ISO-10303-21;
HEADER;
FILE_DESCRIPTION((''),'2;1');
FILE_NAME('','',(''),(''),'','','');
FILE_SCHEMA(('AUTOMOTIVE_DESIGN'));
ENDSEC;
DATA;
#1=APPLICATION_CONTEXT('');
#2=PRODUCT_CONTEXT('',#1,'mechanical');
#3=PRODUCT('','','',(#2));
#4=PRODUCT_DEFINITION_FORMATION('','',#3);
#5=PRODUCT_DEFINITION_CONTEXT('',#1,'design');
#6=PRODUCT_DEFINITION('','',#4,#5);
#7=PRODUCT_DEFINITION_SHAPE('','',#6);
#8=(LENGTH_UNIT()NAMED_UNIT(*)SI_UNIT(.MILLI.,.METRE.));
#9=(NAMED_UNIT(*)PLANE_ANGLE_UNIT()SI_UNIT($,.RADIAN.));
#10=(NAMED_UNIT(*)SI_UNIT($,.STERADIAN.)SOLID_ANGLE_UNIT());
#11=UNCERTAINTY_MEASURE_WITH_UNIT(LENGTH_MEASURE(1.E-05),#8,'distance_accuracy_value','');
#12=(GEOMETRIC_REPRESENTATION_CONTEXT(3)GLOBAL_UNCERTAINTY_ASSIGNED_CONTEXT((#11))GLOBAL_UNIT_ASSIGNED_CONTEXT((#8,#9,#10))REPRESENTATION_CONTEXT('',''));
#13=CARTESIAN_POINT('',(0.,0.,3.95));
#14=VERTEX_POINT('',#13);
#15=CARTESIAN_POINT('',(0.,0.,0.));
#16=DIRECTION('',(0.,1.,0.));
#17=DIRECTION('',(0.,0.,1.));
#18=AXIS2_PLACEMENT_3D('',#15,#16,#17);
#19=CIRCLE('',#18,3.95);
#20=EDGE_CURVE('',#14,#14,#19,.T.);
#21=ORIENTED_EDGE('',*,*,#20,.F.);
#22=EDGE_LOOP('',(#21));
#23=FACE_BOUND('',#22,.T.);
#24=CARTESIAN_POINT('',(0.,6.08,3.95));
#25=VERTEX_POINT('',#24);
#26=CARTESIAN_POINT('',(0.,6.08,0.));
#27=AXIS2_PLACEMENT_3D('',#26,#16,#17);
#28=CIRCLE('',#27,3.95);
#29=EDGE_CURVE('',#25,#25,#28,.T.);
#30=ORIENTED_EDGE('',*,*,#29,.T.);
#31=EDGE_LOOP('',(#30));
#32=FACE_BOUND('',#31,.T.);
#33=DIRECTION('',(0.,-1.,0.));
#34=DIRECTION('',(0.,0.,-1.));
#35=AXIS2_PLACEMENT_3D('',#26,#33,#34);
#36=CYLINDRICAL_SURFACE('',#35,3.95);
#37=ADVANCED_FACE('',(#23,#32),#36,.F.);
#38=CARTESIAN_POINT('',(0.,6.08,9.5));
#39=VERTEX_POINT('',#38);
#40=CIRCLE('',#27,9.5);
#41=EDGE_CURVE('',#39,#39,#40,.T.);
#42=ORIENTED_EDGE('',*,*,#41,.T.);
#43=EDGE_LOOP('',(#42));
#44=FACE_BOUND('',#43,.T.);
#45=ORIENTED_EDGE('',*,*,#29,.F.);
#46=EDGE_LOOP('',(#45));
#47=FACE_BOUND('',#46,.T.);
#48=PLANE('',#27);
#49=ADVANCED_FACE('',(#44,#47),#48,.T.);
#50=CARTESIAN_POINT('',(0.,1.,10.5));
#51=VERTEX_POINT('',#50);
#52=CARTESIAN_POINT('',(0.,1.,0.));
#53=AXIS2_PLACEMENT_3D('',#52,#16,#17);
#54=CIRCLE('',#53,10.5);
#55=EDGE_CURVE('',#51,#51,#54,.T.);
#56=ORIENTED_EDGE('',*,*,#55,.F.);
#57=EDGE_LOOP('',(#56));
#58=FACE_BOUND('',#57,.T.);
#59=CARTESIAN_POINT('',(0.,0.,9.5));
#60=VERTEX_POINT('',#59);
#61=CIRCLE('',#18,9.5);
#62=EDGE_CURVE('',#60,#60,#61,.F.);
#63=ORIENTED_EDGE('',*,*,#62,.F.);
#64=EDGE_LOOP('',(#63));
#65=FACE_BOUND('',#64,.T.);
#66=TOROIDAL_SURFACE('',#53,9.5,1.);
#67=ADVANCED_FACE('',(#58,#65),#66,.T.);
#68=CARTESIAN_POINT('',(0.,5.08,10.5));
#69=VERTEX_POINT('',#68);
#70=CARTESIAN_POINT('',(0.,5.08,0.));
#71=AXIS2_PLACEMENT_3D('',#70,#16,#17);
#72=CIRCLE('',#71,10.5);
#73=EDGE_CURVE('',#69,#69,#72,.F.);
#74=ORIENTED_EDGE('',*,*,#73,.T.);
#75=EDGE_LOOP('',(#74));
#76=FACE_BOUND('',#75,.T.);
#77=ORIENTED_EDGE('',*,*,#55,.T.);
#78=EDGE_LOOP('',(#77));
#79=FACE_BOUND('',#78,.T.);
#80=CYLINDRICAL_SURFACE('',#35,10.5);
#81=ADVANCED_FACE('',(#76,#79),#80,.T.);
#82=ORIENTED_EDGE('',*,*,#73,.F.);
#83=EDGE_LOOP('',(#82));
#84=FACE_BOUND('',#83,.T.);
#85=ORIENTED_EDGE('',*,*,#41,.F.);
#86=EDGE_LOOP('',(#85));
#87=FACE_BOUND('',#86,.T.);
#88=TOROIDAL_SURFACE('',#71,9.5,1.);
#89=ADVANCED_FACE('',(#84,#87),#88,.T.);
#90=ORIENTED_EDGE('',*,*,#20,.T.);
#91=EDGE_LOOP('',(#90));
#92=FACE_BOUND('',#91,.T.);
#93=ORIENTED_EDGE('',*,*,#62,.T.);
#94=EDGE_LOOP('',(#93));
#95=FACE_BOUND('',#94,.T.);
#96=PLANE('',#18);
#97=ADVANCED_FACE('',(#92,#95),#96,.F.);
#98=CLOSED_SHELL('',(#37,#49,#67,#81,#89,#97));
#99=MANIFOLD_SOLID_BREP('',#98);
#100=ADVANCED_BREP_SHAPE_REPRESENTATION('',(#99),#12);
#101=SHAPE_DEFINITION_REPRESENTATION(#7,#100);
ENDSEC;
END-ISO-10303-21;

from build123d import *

# Parameters (mm, degrees)
SKETCH2_R           = 10.5
SKETCH2_R_2         = 3.95
BOSS_EXTRUDE1_DEPTH = 6.08
FILLET1_R           = 1


with BuildPart() as part:
    # Sketch2 → Boss-Extrude1 (new body)
    with BuildSketch(Plane(origin=(0, 0, 0), x_dir=(1, 0, 0), z_dir=(0, 1, 0))):
        with Locations(Location((0, 0, 0), (0, 0, 270))):
            Circle(SKETCH2_R)
        with Locations(Location((0, 0, 0), (0, 0, 270))):
            Circle(SKETCH2_R_2, mode=Mode.SUBTRACT)
    extrude(amount=BOSS_EXTRUDE1_DEPTH)

    # Fillet1
    fillet1_edges = [part.edges().sort_by_distance(p)[0] for p in [
        (0, 0, -10.5),
        (0, 6.08, -10.5),
    ]]
    fillet(fillet1_edges, radius=FILLET1_R)


solid = part.part
